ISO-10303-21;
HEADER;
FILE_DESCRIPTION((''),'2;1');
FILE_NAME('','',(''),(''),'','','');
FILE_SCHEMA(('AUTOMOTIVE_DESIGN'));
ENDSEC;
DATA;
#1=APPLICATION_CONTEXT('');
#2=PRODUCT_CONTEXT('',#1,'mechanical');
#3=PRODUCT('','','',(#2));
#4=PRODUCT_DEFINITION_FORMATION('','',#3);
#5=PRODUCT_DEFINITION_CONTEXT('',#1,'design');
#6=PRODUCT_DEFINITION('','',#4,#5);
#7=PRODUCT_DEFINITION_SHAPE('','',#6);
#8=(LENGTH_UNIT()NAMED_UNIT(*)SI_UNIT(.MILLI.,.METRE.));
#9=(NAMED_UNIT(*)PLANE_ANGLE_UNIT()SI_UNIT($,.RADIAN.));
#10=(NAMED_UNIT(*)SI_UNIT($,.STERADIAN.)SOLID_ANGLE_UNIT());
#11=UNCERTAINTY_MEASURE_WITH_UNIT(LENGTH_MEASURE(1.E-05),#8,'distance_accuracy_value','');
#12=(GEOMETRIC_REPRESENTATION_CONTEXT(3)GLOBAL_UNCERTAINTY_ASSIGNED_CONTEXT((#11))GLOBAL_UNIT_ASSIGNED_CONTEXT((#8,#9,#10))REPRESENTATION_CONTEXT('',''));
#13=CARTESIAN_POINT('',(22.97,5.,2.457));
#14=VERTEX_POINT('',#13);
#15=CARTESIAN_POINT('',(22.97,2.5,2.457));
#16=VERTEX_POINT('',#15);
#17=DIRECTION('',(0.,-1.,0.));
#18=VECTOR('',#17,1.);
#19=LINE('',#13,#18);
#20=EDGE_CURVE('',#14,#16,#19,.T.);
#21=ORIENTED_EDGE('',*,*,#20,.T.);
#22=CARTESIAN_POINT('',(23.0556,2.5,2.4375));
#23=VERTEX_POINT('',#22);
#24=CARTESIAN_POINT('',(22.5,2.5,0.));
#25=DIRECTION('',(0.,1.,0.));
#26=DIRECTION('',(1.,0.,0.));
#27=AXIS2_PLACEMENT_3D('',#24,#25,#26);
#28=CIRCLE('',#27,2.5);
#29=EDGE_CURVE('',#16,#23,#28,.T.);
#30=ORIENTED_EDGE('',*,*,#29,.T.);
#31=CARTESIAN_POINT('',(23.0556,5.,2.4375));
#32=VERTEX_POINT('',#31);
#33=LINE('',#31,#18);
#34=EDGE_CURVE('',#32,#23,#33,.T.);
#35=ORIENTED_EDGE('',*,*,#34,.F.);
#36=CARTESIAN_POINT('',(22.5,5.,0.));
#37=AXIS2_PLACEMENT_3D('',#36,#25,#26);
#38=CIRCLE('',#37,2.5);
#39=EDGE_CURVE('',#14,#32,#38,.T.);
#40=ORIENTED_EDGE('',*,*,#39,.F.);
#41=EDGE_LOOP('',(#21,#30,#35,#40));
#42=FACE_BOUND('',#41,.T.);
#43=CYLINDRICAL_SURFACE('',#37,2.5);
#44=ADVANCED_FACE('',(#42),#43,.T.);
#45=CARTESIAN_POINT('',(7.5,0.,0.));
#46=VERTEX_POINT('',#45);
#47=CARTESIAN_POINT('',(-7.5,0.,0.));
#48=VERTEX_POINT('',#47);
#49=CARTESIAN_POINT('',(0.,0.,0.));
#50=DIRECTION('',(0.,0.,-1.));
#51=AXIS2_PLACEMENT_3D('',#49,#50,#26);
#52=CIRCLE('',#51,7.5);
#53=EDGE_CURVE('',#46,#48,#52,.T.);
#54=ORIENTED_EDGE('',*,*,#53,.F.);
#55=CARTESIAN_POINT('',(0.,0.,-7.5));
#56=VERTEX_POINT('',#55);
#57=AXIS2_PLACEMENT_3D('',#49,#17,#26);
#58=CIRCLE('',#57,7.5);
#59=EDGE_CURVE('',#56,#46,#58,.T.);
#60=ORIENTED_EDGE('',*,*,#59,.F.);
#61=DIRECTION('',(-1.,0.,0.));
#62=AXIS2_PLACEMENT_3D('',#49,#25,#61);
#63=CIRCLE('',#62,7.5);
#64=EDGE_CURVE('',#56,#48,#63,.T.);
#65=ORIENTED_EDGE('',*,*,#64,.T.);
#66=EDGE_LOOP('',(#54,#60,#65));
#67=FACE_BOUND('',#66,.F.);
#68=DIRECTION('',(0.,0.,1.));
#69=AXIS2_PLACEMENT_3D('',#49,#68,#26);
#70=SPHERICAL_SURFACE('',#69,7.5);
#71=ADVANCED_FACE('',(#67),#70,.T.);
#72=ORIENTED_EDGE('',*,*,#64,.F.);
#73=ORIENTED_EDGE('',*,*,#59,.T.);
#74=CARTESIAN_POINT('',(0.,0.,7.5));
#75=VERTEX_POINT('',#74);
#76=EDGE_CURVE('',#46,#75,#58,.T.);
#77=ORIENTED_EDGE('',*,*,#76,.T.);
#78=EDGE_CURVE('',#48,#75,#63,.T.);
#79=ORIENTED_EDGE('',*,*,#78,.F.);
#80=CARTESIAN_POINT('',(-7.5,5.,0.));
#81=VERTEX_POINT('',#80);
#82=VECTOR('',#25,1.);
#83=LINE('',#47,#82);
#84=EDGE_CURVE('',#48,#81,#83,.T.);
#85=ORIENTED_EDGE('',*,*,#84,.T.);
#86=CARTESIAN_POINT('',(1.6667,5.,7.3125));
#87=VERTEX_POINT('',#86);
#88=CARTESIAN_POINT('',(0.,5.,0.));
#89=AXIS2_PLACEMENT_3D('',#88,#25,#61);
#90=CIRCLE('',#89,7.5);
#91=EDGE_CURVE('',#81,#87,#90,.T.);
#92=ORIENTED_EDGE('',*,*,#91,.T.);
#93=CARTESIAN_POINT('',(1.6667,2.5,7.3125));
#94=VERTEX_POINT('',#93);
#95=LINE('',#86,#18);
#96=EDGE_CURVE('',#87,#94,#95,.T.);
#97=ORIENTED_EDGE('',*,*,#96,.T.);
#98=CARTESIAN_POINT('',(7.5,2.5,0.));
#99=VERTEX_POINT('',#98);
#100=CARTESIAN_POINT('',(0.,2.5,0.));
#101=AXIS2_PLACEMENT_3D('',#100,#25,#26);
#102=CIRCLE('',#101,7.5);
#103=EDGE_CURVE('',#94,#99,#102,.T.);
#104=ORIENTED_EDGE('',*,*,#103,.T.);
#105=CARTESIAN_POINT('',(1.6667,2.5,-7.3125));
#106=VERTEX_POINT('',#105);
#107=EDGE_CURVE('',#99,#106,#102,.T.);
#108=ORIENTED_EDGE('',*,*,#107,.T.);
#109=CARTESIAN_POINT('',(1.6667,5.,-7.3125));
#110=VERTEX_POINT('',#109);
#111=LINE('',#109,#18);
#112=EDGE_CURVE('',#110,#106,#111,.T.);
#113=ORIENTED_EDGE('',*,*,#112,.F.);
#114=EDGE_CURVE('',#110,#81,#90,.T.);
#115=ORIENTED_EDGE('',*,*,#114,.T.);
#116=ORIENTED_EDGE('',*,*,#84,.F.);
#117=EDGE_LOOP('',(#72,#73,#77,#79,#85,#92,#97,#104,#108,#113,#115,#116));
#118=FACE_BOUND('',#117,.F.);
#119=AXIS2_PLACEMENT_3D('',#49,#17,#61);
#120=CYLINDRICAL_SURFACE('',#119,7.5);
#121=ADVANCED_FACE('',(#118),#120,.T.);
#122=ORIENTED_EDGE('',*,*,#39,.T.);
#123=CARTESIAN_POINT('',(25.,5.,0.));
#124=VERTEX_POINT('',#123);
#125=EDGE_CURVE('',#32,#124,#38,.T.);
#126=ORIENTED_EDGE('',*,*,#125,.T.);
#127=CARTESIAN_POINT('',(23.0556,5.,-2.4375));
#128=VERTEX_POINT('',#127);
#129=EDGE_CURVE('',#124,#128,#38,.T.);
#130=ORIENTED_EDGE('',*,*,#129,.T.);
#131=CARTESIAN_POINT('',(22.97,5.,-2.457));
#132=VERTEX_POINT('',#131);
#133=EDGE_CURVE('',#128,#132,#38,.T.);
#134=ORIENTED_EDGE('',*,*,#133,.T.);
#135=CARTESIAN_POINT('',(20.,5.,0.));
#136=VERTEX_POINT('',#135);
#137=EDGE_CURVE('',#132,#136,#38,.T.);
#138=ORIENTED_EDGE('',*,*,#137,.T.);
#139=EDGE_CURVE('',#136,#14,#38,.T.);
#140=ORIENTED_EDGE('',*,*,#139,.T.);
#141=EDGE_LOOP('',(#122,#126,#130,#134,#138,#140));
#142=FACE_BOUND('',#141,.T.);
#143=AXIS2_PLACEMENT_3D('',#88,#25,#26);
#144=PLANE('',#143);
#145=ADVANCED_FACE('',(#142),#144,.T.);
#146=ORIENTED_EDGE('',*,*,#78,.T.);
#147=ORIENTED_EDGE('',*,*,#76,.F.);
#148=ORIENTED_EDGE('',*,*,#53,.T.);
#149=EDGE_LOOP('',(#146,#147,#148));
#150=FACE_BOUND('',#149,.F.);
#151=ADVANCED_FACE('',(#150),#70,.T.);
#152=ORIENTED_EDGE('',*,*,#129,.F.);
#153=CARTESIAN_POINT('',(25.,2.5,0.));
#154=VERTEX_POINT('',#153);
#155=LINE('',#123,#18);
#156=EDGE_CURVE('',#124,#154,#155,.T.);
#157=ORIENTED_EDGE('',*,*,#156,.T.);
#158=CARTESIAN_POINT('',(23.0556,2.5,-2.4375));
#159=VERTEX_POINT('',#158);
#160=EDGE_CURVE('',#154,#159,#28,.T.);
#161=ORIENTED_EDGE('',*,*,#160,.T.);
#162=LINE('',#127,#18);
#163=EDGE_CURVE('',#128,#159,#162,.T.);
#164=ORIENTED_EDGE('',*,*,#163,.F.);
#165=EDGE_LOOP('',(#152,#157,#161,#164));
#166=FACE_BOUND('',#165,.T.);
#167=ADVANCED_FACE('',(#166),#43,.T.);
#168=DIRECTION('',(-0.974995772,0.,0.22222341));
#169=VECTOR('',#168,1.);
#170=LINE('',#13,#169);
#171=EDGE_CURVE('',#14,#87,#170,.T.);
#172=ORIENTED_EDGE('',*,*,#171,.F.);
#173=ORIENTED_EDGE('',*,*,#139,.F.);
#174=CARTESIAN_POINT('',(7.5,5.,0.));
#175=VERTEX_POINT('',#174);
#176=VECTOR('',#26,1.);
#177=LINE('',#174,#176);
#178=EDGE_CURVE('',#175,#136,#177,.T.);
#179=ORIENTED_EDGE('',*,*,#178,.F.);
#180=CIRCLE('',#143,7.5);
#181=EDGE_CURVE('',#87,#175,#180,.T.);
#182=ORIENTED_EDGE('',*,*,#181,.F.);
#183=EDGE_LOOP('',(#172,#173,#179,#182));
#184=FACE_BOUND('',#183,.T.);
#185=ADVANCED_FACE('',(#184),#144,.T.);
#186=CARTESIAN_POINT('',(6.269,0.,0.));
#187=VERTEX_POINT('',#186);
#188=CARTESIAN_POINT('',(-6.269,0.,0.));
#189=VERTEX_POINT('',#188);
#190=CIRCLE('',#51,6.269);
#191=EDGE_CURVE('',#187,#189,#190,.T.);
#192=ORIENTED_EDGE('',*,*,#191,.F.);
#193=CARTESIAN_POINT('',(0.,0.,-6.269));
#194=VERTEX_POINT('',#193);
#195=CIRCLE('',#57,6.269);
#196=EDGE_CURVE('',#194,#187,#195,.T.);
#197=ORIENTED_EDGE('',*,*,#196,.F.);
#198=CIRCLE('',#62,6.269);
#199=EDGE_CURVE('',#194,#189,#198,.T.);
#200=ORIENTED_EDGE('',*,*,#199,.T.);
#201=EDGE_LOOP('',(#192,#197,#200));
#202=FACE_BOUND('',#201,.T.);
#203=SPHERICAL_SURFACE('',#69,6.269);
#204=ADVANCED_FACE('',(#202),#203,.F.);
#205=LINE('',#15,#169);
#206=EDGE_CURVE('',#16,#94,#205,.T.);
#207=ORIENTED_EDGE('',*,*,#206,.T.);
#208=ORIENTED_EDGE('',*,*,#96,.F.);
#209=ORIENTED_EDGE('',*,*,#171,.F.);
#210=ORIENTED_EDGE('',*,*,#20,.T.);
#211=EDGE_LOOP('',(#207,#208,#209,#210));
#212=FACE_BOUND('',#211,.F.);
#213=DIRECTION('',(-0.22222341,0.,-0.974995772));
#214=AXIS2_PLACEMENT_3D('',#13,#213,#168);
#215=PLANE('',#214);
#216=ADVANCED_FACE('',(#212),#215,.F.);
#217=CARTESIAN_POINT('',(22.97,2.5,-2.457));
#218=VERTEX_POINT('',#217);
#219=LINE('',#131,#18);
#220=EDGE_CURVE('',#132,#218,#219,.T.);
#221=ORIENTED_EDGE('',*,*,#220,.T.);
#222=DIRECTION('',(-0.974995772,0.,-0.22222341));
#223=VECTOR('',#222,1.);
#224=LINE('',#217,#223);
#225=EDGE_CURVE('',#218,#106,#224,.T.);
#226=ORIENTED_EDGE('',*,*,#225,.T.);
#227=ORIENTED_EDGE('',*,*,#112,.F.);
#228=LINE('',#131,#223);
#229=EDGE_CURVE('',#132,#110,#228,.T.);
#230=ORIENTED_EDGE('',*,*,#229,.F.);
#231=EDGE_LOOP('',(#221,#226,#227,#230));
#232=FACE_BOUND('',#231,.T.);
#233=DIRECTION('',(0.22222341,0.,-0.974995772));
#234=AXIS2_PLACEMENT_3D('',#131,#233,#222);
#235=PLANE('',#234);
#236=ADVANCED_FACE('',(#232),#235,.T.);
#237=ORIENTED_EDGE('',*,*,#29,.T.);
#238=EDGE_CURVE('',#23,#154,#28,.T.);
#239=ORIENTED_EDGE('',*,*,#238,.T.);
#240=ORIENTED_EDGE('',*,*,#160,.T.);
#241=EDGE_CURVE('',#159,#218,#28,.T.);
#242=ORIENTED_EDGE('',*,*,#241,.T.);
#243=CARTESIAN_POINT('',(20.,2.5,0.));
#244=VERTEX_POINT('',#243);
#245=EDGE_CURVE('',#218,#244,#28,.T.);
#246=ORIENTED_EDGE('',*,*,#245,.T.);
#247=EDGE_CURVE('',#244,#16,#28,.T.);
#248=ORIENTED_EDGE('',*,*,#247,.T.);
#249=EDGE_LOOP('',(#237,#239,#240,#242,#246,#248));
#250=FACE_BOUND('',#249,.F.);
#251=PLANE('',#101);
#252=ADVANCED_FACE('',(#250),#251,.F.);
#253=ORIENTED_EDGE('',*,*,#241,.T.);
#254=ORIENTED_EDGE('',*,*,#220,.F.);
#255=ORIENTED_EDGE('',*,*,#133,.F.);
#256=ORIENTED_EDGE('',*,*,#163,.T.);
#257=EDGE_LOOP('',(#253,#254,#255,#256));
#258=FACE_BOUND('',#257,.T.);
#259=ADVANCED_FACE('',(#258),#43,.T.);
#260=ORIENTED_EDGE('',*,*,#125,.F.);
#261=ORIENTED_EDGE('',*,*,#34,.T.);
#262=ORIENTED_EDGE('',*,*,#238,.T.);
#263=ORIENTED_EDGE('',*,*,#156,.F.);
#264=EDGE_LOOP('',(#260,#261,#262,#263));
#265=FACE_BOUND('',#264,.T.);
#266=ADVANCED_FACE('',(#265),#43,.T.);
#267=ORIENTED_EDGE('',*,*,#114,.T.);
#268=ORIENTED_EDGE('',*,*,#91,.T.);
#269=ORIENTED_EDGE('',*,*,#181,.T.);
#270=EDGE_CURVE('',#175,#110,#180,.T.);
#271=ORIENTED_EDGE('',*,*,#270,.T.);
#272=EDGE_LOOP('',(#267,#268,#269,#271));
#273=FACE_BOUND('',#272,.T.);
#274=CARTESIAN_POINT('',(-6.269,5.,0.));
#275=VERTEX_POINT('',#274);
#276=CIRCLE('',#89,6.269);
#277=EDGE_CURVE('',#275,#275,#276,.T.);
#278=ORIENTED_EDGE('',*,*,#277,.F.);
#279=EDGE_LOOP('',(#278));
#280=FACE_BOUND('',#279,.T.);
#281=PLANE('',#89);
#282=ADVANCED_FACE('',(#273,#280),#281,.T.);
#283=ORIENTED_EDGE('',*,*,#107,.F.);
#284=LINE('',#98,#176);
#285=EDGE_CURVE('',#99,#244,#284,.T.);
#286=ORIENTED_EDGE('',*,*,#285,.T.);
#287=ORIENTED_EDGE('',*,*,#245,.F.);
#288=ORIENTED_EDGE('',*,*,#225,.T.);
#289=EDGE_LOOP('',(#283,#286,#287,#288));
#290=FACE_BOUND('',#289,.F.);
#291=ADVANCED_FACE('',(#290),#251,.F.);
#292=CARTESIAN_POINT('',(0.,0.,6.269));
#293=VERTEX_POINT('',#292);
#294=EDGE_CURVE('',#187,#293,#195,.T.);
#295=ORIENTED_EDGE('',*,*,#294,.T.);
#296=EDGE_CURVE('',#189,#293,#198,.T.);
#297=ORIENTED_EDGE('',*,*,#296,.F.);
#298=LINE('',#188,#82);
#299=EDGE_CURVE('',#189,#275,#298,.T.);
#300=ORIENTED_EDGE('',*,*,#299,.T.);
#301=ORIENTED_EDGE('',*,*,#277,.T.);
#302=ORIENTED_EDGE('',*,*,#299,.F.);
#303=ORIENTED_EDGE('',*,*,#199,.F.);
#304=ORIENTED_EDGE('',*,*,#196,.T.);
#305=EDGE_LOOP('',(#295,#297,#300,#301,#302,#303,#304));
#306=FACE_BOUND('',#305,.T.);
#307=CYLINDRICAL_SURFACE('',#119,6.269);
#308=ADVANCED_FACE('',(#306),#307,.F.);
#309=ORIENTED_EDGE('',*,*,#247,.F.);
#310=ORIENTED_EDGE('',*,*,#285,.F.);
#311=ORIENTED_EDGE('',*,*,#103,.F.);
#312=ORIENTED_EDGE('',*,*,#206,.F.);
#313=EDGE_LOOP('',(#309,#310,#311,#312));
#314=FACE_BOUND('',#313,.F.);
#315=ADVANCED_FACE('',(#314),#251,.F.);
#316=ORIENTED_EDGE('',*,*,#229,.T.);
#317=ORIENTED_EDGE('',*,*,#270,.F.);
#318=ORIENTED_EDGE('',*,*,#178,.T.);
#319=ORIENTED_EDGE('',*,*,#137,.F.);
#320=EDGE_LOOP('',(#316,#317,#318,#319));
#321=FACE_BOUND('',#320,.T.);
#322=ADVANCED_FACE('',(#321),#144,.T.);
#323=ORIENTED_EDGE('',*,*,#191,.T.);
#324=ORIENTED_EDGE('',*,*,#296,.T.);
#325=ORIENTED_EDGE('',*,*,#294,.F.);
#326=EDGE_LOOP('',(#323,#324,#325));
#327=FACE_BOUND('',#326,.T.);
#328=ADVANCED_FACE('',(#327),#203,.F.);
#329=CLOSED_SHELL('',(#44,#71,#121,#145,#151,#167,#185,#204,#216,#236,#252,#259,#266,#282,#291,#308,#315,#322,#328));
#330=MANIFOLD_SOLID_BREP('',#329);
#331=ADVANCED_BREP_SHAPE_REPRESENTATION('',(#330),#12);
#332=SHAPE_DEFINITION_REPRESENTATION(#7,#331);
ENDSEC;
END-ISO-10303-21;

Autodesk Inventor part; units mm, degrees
ref_plane "YZ Plane" through (0, 0, 0) normal (1, 0, 0) x (0, 1, 0)
ref_plane "XZ Plane" through (0, 0, 0) normal (0, 1, 0) x (-1, 0, 0)
ref_plane "XY Plane" through (0, 0, 0) normal (0, 0, 1) x (1, 0, 0)
sketch "Sketch2" plane through (0, 0, 0) normal (0, 1, 0) x (-1, 0, 0)
  circle A0 centre (0, 0) radius 6.269
  circle A1 centre (0, 0) radius 7.5
  dimension "d0" = 12.538
  dimension "d1" = 15
extrude "Extrusion1" add sketch "Sketch2" along normal blind 5
sketch "Sketch4" plane through (0, 5, 0) normal (0, 1, 0) x (1, 0, 0)
  circle A0 centre (0, 0) radius 7.5 projected
  circle A1 centre (0, 0) radius 6.269 projected
  circle A2 centre (0, 0) radius 7.5 projected
  line L0 (7.5, 0) -> (22.5, 0)
  circle A3 centre (22.5, 0) radius 2.5
  line L1 (22.97, -2.457) -> (1.6667, -7.3125)
  line L2 (22.97, 2.457) -> (1.6667, 7.3125)
  line L3 (22.97, -2.457) -> (23.0556, -2.4375)
  line L4 (22.97, 2.457) -> (23.0556, 2.4375)
  point P0 (22.5114, 2.4471)
  point P1 (1.6667, 7.3125)
  point P2 (1.6667, -7.3125)
  point P3 (22.5114, -2.4471)
  dimension "d11" = 15
  dimension "d12" = 5
extrude "Extrusion3" add sketch "Sketch4" against normal blind 2.5 contours L0 A3 L1 A0 | A0 L2 A3 L0 | A3
sketch "Sketch5" plane through (0, 0, 0) normal (0, -1, 0) x (1, 0, 0)
  circle A0 centre (0, 0) radius 7.5 projected
  circle A1 centre (0, 0) radius 6.269 projected
  line L0 (0, 7.5) -> (0, -7.5)
  circle A2 centre (0, 0) radius 7.5 projected
  point P0 (0, -6.269)
  point P1 (0, -7.5)
  point P2 (0, 6.269)
revolve "Revolution2" add sketch "Sketch5" angle 180 about axis through (0, 0, 7.5) along (0, 0, -1) picked at (6.9746, -1.0213) contours A0 L0 A1
properties part number "powderScoop_3DPrint"
